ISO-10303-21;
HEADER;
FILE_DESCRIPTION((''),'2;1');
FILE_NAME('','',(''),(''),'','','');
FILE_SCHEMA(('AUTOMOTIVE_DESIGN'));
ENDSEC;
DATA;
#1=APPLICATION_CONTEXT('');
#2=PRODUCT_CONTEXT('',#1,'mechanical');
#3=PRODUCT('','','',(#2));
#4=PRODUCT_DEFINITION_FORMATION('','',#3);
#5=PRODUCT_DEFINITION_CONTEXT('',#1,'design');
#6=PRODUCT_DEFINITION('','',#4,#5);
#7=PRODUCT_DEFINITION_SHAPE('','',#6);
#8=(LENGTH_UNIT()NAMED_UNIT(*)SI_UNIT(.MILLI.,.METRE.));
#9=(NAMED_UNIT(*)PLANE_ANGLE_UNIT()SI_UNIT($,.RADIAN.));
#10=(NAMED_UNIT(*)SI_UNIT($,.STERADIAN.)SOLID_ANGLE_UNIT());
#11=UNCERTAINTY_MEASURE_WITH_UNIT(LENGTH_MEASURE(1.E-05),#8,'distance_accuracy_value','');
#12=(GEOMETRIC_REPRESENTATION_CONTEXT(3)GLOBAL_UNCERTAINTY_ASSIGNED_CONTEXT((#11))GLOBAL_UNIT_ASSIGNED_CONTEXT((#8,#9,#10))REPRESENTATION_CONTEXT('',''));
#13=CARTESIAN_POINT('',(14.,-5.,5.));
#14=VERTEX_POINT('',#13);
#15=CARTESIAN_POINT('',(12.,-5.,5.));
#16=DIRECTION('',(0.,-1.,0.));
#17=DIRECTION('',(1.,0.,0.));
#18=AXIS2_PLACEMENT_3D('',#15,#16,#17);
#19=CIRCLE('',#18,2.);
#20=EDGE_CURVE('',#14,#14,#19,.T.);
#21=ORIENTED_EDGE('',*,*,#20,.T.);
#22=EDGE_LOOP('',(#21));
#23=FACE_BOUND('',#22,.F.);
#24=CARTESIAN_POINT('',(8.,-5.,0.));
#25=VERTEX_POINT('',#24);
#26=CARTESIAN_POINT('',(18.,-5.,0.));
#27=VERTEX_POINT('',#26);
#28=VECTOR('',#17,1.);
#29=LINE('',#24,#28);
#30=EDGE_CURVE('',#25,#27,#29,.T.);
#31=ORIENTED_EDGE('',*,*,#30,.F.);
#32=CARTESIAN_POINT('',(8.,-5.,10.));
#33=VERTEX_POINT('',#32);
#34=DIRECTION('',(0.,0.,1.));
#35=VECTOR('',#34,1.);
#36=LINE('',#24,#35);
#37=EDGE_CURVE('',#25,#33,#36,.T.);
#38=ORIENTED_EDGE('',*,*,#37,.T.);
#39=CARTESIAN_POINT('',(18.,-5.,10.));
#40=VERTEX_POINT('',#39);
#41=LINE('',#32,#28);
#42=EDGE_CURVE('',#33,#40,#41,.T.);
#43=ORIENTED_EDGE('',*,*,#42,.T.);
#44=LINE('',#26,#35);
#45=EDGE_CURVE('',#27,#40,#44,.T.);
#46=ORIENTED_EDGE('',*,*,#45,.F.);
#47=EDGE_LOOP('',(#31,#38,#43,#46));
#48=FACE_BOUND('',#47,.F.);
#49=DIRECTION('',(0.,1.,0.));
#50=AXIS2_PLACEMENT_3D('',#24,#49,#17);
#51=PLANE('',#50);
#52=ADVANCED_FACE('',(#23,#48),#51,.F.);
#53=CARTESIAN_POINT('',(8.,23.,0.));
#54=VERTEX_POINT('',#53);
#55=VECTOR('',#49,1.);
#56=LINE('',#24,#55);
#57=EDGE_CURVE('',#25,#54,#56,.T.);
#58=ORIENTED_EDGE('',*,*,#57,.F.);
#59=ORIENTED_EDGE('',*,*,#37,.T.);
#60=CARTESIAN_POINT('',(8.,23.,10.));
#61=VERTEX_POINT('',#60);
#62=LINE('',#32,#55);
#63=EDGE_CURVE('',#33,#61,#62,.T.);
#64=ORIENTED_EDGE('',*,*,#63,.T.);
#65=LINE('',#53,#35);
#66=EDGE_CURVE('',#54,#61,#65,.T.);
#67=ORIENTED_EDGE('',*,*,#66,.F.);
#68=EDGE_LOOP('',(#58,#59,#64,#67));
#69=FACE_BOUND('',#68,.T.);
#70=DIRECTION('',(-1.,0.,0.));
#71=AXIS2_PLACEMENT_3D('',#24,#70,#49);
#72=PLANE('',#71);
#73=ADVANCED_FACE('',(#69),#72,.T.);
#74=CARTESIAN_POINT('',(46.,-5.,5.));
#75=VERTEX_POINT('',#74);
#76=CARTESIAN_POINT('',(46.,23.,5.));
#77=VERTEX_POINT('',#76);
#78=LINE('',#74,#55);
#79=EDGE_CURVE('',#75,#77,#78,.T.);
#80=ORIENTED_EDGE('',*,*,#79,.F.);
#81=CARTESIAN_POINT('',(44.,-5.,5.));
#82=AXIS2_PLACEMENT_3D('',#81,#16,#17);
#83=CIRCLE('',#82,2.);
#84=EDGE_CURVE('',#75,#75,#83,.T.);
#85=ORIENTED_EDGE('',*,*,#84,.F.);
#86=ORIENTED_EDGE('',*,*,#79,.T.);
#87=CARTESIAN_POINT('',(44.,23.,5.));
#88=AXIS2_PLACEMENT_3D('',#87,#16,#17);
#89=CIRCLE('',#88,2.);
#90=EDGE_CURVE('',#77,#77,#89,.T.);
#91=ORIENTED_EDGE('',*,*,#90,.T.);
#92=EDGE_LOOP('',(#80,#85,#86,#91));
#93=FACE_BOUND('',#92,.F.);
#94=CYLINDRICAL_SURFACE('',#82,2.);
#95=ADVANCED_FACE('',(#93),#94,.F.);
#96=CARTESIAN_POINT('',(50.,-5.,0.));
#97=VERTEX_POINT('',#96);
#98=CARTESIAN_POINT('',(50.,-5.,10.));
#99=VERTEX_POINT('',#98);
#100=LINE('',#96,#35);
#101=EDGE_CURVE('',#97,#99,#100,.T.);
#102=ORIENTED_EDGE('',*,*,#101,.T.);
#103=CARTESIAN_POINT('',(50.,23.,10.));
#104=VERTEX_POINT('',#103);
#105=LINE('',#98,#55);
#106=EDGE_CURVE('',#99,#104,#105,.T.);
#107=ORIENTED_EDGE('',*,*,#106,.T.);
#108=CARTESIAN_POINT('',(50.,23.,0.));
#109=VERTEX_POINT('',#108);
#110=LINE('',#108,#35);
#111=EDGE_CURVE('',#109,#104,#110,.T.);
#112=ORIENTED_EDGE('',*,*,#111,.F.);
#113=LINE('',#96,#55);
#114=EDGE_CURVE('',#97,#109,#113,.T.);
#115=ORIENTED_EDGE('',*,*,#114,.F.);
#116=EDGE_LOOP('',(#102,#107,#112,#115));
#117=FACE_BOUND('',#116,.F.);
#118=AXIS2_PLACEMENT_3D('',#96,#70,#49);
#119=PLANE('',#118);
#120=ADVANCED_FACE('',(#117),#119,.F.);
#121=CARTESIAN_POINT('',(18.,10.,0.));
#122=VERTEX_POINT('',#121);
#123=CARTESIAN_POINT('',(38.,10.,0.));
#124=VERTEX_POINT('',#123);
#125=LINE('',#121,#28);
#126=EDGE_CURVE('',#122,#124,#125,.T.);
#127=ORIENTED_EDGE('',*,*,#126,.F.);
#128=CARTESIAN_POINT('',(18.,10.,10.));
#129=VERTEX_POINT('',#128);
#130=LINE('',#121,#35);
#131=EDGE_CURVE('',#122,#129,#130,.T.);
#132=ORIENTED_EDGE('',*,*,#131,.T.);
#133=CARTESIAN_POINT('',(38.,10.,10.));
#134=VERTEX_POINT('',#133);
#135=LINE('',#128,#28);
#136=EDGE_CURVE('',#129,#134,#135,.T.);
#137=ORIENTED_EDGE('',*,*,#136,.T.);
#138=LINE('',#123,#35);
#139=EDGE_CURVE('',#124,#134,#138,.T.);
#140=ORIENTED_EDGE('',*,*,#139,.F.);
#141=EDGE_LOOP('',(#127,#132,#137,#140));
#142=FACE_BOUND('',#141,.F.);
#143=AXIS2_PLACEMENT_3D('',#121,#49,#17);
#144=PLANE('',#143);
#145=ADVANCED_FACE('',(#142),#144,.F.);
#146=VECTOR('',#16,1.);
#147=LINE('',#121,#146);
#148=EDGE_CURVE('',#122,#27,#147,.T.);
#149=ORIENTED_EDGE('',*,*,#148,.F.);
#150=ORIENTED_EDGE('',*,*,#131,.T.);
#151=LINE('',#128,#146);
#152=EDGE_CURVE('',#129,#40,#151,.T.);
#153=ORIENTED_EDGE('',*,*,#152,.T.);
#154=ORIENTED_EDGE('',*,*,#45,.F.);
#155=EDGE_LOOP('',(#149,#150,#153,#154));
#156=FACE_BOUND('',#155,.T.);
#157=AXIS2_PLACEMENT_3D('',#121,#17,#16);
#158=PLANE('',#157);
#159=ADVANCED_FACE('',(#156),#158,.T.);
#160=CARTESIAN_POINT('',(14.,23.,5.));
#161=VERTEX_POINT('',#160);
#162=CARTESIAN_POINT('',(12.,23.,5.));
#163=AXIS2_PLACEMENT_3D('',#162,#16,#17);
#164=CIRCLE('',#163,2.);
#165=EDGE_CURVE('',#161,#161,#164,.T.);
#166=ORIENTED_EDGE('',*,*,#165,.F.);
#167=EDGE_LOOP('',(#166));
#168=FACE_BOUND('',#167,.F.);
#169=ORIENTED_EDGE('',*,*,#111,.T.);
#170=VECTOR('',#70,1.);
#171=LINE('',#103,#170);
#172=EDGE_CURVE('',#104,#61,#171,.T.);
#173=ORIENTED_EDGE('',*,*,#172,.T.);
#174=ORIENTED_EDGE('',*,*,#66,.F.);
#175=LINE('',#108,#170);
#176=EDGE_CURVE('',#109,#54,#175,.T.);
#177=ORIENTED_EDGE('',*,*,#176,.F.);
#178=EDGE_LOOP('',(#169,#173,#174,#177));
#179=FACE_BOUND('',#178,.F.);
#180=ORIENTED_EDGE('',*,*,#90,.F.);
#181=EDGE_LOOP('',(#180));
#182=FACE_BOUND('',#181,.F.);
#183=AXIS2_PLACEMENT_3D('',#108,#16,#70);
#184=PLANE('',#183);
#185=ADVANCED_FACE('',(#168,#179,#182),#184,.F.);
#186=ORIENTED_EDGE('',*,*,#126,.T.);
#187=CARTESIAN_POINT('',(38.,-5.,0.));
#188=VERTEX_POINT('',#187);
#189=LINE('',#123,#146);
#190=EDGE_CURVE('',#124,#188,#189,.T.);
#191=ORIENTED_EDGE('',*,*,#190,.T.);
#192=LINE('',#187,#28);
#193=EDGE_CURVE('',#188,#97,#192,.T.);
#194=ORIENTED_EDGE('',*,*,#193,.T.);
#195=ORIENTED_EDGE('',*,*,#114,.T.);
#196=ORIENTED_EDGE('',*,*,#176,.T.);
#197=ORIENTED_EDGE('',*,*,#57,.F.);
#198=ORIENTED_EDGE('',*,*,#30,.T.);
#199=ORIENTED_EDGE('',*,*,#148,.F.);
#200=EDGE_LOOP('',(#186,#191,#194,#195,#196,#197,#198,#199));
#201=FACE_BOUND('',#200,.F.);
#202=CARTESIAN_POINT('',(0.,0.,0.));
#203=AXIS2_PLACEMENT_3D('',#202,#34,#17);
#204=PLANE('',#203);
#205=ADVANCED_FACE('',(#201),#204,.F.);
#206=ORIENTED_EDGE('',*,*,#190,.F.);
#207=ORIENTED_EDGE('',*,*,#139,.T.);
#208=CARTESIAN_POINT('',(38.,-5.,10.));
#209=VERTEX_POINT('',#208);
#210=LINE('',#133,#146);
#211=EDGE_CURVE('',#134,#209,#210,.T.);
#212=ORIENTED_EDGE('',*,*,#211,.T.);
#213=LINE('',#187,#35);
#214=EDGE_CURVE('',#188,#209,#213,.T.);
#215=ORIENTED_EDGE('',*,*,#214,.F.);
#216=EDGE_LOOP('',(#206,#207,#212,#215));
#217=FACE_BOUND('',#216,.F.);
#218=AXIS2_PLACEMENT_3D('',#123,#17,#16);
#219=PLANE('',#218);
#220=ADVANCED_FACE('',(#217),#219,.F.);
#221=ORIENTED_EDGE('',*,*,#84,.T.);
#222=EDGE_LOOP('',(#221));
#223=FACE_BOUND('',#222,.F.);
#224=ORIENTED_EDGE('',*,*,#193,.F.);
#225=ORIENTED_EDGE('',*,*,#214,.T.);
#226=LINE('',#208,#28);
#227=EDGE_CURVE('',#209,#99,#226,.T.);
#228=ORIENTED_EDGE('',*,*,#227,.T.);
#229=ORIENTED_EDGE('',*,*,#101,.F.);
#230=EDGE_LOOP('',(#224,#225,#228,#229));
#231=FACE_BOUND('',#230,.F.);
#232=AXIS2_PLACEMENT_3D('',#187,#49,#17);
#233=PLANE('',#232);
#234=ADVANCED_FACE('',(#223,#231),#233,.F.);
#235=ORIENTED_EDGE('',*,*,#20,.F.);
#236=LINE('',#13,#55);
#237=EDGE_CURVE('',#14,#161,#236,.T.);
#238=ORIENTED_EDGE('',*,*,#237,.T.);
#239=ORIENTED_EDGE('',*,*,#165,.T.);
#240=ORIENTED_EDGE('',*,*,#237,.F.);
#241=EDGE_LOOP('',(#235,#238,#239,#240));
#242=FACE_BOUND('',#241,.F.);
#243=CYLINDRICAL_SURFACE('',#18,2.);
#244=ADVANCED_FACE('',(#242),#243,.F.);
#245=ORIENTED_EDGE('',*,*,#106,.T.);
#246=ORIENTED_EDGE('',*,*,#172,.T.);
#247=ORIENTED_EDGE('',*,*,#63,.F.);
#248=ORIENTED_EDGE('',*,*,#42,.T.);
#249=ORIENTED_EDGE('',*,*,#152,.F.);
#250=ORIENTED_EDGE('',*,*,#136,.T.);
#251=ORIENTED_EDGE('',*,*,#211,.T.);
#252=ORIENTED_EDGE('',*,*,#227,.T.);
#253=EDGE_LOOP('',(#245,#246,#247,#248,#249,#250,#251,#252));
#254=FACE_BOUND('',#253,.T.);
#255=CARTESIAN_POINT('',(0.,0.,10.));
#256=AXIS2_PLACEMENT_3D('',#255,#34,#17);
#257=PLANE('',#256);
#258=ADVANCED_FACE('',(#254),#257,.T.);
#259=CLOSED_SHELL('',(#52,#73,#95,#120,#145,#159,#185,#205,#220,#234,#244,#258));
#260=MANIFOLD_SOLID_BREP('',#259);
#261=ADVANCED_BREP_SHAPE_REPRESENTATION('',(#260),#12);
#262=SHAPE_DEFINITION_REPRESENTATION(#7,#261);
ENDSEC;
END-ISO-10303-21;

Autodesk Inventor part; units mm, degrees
ref_plane "YZ Plane" through (0, 0, 0) normal (1, 0, 0) x (0, 1, 0)
ref_plane "XZ Plane" through (0, 0, 0) normal (0, 1, 0) x (-1, 0, 0)
ref_plane "XY Plane" through (0, 0, 0) normal (0, 0, 1) x (1, 0, 0)
sketch "Sketch1" plane through (0, 0, 0) normal (0, 0, 1) x (1, 0, 0)
  line L0 (50, -5) -> (50, 23)
  line L1 (50, 23) -> (8, 23)
  line L2 (18, 10) -> (38, 10)
  line L3 (18, 10) -> (18, -5)
  line L4 (38, 10) -> (38, -5)
  line L5 (8, -5) -> (8, 23)
  line L6 (8, -5) -> (18, -5)
  line L7 (38, -5) -> (50, -5)
  dimension "d1" = 28
  dimension "d4" = 15
  dimension "d14" = 20
  dimension "d16" = 12
  dimension "d37" = 42
  dimension "d46" = 28
extrude "Extrusion3" add sketch "Sketch1" along normal blind 10
sketch "Sketch5" plane through (8, -5, 0) normal (0, -1, 0) x (1, 0, 0)
  circle A0 centre (4, 5) radius 2
  line L0 (10, 0) -> (10, 10) projected
  line L1 (0, 0) -> (10, 0) projected
  circle A1 centre (36, 5) radius 2
  line L2 (30, 0) -> (30, 10) projected
  line L3 (30, 0) -> (42, 0) projected
  dimension "d38" = 4
  dimension "d39" = 6
  dimension "d40" = 5
  dimension "d41" = 4
  dimension "d42" = 6
  dimension "d43" = 5
extrude "Extrusion6" cut sketch "Sketch5" against normal blind 100
properties part number "Espaciador Derecho" material "Aluminum 6061"
